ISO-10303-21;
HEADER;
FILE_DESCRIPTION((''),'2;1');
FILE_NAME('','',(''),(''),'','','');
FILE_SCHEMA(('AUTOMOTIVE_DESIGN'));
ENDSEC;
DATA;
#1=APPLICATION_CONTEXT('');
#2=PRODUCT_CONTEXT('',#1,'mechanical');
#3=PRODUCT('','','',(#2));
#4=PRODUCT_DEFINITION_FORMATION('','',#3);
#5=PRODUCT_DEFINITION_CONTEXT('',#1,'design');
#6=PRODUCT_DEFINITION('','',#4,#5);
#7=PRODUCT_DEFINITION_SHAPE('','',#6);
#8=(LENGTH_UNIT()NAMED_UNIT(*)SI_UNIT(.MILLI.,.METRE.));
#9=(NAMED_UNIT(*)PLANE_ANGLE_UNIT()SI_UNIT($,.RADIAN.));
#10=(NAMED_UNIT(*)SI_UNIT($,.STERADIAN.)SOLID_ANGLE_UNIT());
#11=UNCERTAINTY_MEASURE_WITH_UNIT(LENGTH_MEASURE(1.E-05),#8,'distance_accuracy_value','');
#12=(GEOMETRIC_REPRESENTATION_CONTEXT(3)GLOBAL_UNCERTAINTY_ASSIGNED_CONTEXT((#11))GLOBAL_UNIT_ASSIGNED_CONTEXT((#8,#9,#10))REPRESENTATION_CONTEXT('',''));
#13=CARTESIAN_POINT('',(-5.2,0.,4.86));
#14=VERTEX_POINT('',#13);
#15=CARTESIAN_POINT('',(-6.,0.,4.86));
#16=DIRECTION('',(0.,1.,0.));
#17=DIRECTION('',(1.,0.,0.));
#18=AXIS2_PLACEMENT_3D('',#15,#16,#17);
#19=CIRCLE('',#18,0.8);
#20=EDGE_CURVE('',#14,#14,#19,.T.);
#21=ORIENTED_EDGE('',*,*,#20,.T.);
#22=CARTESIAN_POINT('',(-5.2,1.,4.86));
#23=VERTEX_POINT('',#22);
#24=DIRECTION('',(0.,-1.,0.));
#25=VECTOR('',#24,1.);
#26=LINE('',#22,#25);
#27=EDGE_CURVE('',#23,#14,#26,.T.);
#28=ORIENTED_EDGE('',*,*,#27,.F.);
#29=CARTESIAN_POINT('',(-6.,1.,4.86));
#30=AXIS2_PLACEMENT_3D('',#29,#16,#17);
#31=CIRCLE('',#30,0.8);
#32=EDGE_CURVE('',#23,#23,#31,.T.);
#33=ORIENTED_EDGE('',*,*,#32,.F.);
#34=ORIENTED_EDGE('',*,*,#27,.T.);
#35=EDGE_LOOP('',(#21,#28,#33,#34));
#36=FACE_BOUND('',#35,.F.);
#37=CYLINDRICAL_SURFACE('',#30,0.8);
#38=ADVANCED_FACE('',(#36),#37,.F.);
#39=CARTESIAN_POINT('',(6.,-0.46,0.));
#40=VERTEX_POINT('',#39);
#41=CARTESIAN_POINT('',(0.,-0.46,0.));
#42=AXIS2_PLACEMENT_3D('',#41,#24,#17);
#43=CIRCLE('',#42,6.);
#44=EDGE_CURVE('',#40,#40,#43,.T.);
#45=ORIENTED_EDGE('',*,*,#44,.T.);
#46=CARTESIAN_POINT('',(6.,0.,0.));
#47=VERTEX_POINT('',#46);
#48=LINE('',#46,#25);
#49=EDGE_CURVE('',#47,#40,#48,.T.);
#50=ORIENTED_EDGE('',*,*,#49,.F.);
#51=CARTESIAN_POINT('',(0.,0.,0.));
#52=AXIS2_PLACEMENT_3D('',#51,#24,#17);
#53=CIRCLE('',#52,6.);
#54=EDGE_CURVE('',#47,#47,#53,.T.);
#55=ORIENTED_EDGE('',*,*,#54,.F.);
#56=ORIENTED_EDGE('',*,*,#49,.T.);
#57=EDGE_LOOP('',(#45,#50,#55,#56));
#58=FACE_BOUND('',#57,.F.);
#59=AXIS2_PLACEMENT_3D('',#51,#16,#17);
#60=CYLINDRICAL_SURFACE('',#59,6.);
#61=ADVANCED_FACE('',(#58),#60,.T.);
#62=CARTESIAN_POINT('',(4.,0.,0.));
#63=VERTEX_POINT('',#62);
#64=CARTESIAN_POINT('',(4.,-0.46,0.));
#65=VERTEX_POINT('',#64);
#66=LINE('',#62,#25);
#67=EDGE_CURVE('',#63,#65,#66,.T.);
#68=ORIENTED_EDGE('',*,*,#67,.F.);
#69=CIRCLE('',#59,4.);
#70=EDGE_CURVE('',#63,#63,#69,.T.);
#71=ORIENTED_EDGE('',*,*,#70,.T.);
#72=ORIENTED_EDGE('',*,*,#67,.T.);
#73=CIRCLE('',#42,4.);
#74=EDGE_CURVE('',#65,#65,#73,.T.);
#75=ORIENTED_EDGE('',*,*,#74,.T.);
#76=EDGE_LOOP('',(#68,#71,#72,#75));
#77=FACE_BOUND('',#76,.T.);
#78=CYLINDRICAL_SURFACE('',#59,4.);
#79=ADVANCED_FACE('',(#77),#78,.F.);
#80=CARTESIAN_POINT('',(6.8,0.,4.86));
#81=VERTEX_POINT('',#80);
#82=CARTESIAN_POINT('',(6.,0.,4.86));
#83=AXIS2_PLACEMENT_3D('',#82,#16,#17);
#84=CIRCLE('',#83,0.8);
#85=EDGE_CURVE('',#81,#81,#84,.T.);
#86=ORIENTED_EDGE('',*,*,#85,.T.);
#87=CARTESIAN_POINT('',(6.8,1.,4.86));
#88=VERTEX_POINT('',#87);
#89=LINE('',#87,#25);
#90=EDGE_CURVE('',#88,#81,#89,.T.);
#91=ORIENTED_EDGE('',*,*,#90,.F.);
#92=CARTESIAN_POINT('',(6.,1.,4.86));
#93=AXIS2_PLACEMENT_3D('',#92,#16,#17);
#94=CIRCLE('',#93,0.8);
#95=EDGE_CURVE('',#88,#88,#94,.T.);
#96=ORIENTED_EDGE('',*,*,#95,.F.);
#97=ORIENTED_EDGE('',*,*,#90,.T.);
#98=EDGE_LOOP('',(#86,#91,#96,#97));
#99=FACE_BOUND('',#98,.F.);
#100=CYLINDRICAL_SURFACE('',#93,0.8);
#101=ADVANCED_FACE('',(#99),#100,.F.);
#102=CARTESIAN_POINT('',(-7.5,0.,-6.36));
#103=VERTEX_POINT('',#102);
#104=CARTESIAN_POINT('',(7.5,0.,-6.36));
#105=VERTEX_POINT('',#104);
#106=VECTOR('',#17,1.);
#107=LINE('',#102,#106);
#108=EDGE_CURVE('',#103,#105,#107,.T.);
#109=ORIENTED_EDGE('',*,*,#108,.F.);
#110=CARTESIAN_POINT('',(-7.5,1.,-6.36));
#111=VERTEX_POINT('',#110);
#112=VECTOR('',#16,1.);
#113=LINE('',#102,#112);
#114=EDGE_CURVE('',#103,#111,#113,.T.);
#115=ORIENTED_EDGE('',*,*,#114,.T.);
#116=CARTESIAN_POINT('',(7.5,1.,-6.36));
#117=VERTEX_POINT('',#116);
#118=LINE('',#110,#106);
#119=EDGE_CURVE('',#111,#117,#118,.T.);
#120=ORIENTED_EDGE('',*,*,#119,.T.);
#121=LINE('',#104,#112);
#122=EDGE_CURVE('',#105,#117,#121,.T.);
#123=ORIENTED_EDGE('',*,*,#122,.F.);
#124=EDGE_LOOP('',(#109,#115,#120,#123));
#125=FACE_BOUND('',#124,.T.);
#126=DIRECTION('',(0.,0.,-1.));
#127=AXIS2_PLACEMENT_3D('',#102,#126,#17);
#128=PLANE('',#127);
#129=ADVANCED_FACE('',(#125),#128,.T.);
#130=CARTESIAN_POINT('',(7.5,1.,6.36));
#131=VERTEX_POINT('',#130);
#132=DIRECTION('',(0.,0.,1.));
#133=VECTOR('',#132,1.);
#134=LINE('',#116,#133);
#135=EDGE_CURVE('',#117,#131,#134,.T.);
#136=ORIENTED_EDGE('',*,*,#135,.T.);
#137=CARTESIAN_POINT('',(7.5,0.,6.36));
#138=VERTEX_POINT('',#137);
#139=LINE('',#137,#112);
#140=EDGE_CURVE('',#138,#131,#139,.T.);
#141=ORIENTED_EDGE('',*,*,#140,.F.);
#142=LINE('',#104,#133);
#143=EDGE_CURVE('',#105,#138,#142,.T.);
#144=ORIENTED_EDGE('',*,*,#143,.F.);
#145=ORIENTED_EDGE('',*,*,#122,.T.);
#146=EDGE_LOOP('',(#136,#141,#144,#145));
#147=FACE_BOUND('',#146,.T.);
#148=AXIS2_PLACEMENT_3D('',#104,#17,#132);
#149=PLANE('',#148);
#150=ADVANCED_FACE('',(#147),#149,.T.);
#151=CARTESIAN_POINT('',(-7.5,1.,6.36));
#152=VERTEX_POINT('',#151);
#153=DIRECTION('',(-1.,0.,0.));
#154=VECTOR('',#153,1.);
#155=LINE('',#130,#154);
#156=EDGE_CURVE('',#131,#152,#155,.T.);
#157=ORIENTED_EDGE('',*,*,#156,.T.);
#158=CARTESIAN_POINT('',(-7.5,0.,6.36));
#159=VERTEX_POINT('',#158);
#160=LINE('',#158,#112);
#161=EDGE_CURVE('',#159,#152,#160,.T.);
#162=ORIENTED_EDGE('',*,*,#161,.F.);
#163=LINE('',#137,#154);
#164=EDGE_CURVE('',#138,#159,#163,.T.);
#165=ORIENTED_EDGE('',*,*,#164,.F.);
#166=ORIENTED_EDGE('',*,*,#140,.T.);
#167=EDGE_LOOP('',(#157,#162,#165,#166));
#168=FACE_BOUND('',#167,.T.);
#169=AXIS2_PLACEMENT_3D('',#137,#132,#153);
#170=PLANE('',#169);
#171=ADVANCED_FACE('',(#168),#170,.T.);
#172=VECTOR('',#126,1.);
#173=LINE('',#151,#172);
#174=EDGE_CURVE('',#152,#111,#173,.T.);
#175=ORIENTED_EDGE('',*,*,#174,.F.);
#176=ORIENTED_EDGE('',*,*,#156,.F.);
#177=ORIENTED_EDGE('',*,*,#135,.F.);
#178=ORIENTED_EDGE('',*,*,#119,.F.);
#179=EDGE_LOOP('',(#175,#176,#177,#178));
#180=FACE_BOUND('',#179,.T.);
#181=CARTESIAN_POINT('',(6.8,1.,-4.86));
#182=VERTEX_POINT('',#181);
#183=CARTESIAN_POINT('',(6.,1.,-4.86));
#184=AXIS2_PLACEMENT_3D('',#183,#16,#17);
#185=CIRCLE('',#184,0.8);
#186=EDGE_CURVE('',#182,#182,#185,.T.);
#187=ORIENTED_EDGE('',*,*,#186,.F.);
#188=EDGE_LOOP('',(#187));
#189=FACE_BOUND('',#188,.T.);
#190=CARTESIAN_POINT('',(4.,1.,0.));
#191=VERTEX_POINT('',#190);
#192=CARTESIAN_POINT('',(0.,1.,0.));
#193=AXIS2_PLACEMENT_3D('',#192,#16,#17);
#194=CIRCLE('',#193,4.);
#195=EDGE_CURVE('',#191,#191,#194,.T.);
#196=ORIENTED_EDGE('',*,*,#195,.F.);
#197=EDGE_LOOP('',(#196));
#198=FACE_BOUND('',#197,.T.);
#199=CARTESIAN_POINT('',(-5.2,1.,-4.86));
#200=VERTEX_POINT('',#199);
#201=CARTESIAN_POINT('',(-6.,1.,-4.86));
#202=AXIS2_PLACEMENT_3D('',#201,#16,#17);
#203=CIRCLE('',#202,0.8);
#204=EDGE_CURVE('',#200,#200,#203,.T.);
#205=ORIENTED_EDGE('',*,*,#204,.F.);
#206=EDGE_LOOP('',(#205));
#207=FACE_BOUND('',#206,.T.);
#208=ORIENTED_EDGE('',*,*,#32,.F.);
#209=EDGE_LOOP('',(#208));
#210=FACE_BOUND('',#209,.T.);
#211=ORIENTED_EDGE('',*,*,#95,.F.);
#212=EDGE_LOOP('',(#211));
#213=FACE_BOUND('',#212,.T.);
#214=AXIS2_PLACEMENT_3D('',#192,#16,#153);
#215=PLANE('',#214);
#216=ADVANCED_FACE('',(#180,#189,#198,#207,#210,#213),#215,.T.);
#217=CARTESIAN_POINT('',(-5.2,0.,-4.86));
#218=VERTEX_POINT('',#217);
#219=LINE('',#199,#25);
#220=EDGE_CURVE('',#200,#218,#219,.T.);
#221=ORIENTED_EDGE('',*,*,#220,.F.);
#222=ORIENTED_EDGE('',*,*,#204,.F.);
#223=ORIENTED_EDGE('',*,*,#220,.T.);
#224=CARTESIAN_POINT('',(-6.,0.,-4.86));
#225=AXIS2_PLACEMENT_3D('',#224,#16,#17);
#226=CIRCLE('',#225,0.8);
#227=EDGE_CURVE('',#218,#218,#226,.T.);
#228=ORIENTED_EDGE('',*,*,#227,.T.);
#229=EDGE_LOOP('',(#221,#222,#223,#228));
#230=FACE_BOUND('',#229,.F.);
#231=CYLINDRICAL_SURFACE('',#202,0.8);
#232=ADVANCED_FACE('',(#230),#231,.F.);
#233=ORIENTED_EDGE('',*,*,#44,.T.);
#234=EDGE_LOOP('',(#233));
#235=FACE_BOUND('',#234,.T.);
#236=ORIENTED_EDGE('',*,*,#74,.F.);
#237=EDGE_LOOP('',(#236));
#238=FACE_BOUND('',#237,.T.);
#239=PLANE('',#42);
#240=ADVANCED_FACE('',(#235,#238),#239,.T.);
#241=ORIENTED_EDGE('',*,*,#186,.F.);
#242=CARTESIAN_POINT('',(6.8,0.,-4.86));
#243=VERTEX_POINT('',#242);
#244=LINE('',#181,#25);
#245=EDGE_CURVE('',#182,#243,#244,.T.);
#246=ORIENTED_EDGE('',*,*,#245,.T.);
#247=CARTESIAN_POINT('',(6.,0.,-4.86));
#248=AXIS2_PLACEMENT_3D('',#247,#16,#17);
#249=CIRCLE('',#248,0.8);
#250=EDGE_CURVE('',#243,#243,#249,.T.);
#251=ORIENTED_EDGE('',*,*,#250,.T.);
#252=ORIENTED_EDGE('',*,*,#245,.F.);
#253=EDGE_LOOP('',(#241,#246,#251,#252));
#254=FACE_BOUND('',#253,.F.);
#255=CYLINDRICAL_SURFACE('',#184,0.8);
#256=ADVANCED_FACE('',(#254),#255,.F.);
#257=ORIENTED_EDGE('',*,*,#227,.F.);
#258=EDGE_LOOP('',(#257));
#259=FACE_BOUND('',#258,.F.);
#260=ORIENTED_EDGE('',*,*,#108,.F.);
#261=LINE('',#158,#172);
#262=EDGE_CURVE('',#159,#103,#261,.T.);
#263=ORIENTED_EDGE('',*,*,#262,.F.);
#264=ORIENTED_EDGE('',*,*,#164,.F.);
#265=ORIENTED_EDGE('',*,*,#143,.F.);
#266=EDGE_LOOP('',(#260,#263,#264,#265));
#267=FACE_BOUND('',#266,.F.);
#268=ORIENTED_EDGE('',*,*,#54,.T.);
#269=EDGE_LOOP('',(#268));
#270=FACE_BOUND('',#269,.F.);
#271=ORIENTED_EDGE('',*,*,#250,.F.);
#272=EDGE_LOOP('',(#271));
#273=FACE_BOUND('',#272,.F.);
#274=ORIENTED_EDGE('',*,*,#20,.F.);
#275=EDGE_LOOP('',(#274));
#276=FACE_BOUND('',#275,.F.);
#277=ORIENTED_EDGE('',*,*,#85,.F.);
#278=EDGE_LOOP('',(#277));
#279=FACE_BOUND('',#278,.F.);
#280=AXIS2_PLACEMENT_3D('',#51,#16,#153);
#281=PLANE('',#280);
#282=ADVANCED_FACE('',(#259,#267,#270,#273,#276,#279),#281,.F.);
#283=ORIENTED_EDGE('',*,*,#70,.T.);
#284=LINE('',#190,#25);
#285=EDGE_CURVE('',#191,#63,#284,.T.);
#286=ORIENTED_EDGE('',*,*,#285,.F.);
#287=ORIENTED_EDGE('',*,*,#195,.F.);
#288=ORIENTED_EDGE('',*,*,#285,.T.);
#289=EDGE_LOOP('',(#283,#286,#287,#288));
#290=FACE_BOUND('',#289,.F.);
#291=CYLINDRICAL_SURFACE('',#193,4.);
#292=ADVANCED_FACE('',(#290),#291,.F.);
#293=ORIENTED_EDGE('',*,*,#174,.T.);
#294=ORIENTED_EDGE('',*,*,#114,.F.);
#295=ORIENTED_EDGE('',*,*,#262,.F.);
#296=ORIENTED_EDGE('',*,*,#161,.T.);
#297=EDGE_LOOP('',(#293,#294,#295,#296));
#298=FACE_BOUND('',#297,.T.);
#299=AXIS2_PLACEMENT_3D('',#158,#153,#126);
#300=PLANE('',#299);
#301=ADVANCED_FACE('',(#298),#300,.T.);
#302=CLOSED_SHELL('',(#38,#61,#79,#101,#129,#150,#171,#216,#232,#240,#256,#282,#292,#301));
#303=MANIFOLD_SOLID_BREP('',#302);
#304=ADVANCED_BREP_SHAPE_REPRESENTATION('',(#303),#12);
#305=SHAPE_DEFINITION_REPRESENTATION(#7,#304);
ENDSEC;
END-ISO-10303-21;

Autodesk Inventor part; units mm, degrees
ref_plane "YZ Plane" through (0, 0, 0) normal (1, 0, 0) x (0, 1, 0)
ref_plane "XZ Plane" through (0, 0, 0) normal (0, 1, 0) x (-1, 0, 0)
ref_plane "XY Plane" through (0, 0, 0) normal (0, 0, 1) x (1, 0, 0)
sketch "Sketch1" plane through (0, 0, 0) normal (0, 1, 0) x (-1, 0, 0)
  line L0 (-7.5, 6.36) -> (7.5, 6.36)
  line L1 (7.5, 6.36) -> (7.5, -6.36)
  line L2 (7.5, -6.36) -> (-7.5, -6.36)
  line L3 (-7.5, -6.36) -> (-7.5, 6.36)
  line L4 (-7.5, 6.36) -> (7.5, -6.36) construction
  line L5 (7.5, 6.36) -> (-7.5, -6.36) construction
  point P0 (0, 0)
  dimension "d0" = 12.72
  dimension "d1" = 15
extrude "Extrusion1" add sketch "Sketch1" along normal blind 1
sketch "Sketch2" plane through (0, 1, 0) normal (0, 1, 0) x (1, 0, 0)
  circle A0 centre (0, 0) radius 4
  dimension "d4" = 8
extrude "Extrusion2" cut sketch "Sketch2" against normal up to surface (1 mm away)
sketch "Sketch3" plane through (0, 0, 0) normal (0, -1, 0) x (1, 0, 0)
  circle A0 centre (0, 0) radius 4
  circle A1 centre (0, 0) radius 6
  dimension "d7" = 12
  dimension "d8" = 8
extrude "Extrusion3" add sketch "Sketch3" along normal blind 0.46
sketch "Sketch4" plane through (0, 1, 0) normal (0, 1, 0) x (1, 0, 0)
  point P0 (0, 0)
sketch "Sketch5" plane through (0, 1, 0) normal (0, 1, 0) x (1, 0, 0)
  circle A0 centre (-6, -4.86) radius 0.8
  line L0 (-7.5, 6.36) -> (-7.5, -6.36) projected
  line L1 (-7.5, 0) -> (7.5, 0) construction
  line L2 (7.5, -6.36) -> (7.5, 6.36) projected
  line L3 (-7.5, -6.36) -> (7.5, -6.36) projected
  line L4 (0, -6.36) -> (0, 6.36) construction
  line L5 (7.5, 6.36) -> (-7.5, 6.36) projected
  circle A1 centre (-6, 4.86) radius 0.8
  line L6 (0, 6.36) -> (0, -6.36) construction
  circle A2 centre (6, -4.86) radius 0.8
  circle A3 centre (6, 4.86) radius 0.8
  point P0 (0, 0)
  dimension "d11" = 1.5
  dimension "d12" = 1.6
  dimension "d13" = 1.5
extrude "Extrusion4" cut sketch "Sketch5" against normal up to surface (1 mm away) contours A0 | A1 | A2 | A3
properties part number "PinholeFlexFixture" material "Acetal Resin, Black"
